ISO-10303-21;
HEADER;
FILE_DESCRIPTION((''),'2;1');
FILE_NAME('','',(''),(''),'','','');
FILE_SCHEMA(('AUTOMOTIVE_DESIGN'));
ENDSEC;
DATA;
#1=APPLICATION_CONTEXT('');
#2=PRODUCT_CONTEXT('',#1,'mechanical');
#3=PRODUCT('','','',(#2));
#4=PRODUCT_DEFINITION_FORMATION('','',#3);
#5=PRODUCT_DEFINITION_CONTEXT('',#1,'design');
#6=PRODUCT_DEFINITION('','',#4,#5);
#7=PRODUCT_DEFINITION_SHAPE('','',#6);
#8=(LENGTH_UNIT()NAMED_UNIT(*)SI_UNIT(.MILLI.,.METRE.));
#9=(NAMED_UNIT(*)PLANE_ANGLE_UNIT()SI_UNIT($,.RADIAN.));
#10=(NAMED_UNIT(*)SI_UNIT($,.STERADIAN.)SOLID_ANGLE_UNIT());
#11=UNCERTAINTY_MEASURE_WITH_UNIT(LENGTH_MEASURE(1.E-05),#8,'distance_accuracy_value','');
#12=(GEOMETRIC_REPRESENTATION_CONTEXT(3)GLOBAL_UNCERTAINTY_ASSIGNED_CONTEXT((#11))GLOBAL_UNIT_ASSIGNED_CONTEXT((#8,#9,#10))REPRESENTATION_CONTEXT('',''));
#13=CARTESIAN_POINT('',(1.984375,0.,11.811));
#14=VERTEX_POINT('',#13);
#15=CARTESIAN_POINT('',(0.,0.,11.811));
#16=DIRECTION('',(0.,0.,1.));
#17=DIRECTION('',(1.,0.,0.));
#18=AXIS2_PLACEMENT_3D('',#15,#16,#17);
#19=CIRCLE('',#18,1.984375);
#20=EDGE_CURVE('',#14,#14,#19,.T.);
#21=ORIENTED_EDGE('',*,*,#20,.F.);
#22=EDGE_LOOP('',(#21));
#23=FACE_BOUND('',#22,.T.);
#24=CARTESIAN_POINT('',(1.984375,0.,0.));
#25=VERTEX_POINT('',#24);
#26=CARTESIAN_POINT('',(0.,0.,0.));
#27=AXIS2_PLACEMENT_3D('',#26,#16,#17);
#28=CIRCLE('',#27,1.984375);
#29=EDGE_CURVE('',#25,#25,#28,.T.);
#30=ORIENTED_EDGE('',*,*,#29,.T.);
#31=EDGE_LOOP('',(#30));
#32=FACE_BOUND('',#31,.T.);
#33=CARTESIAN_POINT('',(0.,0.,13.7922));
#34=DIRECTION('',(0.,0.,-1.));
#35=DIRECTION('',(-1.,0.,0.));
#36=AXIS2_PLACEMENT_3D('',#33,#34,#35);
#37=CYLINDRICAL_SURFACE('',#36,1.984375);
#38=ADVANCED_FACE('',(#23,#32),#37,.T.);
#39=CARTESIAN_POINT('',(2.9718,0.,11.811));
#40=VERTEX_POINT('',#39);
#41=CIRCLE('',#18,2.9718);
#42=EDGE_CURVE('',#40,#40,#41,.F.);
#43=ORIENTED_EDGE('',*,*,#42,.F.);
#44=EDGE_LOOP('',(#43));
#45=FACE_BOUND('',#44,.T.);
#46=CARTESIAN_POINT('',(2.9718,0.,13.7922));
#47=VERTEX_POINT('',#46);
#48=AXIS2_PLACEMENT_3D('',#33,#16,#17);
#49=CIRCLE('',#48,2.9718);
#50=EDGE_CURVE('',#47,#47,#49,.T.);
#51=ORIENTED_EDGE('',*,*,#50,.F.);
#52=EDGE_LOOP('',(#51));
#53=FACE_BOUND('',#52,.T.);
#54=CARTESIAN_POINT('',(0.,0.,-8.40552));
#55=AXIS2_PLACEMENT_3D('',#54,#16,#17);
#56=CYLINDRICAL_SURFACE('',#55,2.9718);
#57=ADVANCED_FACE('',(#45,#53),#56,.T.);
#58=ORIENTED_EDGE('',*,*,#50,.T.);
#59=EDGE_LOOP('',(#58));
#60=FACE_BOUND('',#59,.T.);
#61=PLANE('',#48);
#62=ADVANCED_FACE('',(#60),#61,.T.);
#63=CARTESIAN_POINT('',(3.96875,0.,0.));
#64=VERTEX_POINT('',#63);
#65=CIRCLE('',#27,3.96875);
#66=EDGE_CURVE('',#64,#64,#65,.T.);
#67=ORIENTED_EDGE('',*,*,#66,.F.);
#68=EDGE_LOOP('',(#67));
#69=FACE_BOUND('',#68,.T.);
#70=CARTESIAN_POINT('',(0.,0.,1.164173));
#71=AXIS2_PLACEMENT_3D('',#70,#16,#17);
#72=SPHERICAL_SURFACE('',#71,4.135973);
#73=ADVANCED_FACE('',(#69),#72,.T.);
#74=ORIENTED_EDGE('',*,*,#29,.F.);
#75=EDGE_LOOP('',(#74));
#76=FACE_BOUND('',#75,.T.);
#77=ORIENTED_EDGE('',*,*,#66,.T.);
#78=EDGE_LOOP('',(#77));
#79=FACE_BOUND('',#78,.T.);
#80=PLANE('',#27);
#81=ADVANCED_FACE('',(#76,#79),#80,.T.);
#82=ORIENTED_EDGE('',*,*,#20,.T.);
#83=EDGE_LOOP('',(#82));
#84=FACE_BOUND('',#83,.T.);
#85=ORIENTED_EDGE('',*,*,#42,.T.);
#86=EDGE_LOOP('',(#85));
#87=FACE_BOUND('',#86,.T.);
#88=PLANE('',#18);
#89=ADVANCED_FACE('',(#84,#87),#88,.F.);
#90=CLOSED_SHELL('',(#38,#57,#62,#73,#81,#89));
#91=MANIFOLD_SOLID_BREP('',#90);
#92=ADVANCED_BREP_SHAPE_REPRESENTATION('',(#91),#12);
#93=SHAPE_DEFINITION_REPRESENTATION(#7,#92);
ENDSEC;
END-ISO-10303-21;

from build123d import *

# Parameters (mm, degrees)
SKETCH1_R        = 1.984375
EXT_SHANK_DEPTH  = 13.7922
SKETCH3_R        = 2.9718
EXT_CLINCH_DEPTH = 1.9812


with BuildPart() as part:
    # Sketch1 → Ext Shank (new body)
    with BuildSketch(Plane.XY):
        Circle(SKETCH1_R)
    extrude(amount=EXT_SHANK_DEPTH)

    # Sketch2 → Rev Head (revolve)
    with BuildSketch(Plane(origin=(0, 0, 0), x_dir=(1, 0, 0), z_dir=(0, 1, 0))):
        with BuildLine():
            Line((0, 2.9718), (0, 0))
            Line((0, 0), (3.96875, 0))
            ThreePointArc((3.96875, 0), (2.479040732, 2.146511287), (0, 2.9718))
        make_face()
    revolve(axis=Axis((0, 0, 0), (0, 0, -1)))

    # Sketch3 → Ext Clinch (add)
    with BuildSketch(Plane.XY.offset(13.7922)):
        Circle(SKETCH3_R)
    extrude(amount=-EXT_CLINCH_DEPTH)


solid = part.part
